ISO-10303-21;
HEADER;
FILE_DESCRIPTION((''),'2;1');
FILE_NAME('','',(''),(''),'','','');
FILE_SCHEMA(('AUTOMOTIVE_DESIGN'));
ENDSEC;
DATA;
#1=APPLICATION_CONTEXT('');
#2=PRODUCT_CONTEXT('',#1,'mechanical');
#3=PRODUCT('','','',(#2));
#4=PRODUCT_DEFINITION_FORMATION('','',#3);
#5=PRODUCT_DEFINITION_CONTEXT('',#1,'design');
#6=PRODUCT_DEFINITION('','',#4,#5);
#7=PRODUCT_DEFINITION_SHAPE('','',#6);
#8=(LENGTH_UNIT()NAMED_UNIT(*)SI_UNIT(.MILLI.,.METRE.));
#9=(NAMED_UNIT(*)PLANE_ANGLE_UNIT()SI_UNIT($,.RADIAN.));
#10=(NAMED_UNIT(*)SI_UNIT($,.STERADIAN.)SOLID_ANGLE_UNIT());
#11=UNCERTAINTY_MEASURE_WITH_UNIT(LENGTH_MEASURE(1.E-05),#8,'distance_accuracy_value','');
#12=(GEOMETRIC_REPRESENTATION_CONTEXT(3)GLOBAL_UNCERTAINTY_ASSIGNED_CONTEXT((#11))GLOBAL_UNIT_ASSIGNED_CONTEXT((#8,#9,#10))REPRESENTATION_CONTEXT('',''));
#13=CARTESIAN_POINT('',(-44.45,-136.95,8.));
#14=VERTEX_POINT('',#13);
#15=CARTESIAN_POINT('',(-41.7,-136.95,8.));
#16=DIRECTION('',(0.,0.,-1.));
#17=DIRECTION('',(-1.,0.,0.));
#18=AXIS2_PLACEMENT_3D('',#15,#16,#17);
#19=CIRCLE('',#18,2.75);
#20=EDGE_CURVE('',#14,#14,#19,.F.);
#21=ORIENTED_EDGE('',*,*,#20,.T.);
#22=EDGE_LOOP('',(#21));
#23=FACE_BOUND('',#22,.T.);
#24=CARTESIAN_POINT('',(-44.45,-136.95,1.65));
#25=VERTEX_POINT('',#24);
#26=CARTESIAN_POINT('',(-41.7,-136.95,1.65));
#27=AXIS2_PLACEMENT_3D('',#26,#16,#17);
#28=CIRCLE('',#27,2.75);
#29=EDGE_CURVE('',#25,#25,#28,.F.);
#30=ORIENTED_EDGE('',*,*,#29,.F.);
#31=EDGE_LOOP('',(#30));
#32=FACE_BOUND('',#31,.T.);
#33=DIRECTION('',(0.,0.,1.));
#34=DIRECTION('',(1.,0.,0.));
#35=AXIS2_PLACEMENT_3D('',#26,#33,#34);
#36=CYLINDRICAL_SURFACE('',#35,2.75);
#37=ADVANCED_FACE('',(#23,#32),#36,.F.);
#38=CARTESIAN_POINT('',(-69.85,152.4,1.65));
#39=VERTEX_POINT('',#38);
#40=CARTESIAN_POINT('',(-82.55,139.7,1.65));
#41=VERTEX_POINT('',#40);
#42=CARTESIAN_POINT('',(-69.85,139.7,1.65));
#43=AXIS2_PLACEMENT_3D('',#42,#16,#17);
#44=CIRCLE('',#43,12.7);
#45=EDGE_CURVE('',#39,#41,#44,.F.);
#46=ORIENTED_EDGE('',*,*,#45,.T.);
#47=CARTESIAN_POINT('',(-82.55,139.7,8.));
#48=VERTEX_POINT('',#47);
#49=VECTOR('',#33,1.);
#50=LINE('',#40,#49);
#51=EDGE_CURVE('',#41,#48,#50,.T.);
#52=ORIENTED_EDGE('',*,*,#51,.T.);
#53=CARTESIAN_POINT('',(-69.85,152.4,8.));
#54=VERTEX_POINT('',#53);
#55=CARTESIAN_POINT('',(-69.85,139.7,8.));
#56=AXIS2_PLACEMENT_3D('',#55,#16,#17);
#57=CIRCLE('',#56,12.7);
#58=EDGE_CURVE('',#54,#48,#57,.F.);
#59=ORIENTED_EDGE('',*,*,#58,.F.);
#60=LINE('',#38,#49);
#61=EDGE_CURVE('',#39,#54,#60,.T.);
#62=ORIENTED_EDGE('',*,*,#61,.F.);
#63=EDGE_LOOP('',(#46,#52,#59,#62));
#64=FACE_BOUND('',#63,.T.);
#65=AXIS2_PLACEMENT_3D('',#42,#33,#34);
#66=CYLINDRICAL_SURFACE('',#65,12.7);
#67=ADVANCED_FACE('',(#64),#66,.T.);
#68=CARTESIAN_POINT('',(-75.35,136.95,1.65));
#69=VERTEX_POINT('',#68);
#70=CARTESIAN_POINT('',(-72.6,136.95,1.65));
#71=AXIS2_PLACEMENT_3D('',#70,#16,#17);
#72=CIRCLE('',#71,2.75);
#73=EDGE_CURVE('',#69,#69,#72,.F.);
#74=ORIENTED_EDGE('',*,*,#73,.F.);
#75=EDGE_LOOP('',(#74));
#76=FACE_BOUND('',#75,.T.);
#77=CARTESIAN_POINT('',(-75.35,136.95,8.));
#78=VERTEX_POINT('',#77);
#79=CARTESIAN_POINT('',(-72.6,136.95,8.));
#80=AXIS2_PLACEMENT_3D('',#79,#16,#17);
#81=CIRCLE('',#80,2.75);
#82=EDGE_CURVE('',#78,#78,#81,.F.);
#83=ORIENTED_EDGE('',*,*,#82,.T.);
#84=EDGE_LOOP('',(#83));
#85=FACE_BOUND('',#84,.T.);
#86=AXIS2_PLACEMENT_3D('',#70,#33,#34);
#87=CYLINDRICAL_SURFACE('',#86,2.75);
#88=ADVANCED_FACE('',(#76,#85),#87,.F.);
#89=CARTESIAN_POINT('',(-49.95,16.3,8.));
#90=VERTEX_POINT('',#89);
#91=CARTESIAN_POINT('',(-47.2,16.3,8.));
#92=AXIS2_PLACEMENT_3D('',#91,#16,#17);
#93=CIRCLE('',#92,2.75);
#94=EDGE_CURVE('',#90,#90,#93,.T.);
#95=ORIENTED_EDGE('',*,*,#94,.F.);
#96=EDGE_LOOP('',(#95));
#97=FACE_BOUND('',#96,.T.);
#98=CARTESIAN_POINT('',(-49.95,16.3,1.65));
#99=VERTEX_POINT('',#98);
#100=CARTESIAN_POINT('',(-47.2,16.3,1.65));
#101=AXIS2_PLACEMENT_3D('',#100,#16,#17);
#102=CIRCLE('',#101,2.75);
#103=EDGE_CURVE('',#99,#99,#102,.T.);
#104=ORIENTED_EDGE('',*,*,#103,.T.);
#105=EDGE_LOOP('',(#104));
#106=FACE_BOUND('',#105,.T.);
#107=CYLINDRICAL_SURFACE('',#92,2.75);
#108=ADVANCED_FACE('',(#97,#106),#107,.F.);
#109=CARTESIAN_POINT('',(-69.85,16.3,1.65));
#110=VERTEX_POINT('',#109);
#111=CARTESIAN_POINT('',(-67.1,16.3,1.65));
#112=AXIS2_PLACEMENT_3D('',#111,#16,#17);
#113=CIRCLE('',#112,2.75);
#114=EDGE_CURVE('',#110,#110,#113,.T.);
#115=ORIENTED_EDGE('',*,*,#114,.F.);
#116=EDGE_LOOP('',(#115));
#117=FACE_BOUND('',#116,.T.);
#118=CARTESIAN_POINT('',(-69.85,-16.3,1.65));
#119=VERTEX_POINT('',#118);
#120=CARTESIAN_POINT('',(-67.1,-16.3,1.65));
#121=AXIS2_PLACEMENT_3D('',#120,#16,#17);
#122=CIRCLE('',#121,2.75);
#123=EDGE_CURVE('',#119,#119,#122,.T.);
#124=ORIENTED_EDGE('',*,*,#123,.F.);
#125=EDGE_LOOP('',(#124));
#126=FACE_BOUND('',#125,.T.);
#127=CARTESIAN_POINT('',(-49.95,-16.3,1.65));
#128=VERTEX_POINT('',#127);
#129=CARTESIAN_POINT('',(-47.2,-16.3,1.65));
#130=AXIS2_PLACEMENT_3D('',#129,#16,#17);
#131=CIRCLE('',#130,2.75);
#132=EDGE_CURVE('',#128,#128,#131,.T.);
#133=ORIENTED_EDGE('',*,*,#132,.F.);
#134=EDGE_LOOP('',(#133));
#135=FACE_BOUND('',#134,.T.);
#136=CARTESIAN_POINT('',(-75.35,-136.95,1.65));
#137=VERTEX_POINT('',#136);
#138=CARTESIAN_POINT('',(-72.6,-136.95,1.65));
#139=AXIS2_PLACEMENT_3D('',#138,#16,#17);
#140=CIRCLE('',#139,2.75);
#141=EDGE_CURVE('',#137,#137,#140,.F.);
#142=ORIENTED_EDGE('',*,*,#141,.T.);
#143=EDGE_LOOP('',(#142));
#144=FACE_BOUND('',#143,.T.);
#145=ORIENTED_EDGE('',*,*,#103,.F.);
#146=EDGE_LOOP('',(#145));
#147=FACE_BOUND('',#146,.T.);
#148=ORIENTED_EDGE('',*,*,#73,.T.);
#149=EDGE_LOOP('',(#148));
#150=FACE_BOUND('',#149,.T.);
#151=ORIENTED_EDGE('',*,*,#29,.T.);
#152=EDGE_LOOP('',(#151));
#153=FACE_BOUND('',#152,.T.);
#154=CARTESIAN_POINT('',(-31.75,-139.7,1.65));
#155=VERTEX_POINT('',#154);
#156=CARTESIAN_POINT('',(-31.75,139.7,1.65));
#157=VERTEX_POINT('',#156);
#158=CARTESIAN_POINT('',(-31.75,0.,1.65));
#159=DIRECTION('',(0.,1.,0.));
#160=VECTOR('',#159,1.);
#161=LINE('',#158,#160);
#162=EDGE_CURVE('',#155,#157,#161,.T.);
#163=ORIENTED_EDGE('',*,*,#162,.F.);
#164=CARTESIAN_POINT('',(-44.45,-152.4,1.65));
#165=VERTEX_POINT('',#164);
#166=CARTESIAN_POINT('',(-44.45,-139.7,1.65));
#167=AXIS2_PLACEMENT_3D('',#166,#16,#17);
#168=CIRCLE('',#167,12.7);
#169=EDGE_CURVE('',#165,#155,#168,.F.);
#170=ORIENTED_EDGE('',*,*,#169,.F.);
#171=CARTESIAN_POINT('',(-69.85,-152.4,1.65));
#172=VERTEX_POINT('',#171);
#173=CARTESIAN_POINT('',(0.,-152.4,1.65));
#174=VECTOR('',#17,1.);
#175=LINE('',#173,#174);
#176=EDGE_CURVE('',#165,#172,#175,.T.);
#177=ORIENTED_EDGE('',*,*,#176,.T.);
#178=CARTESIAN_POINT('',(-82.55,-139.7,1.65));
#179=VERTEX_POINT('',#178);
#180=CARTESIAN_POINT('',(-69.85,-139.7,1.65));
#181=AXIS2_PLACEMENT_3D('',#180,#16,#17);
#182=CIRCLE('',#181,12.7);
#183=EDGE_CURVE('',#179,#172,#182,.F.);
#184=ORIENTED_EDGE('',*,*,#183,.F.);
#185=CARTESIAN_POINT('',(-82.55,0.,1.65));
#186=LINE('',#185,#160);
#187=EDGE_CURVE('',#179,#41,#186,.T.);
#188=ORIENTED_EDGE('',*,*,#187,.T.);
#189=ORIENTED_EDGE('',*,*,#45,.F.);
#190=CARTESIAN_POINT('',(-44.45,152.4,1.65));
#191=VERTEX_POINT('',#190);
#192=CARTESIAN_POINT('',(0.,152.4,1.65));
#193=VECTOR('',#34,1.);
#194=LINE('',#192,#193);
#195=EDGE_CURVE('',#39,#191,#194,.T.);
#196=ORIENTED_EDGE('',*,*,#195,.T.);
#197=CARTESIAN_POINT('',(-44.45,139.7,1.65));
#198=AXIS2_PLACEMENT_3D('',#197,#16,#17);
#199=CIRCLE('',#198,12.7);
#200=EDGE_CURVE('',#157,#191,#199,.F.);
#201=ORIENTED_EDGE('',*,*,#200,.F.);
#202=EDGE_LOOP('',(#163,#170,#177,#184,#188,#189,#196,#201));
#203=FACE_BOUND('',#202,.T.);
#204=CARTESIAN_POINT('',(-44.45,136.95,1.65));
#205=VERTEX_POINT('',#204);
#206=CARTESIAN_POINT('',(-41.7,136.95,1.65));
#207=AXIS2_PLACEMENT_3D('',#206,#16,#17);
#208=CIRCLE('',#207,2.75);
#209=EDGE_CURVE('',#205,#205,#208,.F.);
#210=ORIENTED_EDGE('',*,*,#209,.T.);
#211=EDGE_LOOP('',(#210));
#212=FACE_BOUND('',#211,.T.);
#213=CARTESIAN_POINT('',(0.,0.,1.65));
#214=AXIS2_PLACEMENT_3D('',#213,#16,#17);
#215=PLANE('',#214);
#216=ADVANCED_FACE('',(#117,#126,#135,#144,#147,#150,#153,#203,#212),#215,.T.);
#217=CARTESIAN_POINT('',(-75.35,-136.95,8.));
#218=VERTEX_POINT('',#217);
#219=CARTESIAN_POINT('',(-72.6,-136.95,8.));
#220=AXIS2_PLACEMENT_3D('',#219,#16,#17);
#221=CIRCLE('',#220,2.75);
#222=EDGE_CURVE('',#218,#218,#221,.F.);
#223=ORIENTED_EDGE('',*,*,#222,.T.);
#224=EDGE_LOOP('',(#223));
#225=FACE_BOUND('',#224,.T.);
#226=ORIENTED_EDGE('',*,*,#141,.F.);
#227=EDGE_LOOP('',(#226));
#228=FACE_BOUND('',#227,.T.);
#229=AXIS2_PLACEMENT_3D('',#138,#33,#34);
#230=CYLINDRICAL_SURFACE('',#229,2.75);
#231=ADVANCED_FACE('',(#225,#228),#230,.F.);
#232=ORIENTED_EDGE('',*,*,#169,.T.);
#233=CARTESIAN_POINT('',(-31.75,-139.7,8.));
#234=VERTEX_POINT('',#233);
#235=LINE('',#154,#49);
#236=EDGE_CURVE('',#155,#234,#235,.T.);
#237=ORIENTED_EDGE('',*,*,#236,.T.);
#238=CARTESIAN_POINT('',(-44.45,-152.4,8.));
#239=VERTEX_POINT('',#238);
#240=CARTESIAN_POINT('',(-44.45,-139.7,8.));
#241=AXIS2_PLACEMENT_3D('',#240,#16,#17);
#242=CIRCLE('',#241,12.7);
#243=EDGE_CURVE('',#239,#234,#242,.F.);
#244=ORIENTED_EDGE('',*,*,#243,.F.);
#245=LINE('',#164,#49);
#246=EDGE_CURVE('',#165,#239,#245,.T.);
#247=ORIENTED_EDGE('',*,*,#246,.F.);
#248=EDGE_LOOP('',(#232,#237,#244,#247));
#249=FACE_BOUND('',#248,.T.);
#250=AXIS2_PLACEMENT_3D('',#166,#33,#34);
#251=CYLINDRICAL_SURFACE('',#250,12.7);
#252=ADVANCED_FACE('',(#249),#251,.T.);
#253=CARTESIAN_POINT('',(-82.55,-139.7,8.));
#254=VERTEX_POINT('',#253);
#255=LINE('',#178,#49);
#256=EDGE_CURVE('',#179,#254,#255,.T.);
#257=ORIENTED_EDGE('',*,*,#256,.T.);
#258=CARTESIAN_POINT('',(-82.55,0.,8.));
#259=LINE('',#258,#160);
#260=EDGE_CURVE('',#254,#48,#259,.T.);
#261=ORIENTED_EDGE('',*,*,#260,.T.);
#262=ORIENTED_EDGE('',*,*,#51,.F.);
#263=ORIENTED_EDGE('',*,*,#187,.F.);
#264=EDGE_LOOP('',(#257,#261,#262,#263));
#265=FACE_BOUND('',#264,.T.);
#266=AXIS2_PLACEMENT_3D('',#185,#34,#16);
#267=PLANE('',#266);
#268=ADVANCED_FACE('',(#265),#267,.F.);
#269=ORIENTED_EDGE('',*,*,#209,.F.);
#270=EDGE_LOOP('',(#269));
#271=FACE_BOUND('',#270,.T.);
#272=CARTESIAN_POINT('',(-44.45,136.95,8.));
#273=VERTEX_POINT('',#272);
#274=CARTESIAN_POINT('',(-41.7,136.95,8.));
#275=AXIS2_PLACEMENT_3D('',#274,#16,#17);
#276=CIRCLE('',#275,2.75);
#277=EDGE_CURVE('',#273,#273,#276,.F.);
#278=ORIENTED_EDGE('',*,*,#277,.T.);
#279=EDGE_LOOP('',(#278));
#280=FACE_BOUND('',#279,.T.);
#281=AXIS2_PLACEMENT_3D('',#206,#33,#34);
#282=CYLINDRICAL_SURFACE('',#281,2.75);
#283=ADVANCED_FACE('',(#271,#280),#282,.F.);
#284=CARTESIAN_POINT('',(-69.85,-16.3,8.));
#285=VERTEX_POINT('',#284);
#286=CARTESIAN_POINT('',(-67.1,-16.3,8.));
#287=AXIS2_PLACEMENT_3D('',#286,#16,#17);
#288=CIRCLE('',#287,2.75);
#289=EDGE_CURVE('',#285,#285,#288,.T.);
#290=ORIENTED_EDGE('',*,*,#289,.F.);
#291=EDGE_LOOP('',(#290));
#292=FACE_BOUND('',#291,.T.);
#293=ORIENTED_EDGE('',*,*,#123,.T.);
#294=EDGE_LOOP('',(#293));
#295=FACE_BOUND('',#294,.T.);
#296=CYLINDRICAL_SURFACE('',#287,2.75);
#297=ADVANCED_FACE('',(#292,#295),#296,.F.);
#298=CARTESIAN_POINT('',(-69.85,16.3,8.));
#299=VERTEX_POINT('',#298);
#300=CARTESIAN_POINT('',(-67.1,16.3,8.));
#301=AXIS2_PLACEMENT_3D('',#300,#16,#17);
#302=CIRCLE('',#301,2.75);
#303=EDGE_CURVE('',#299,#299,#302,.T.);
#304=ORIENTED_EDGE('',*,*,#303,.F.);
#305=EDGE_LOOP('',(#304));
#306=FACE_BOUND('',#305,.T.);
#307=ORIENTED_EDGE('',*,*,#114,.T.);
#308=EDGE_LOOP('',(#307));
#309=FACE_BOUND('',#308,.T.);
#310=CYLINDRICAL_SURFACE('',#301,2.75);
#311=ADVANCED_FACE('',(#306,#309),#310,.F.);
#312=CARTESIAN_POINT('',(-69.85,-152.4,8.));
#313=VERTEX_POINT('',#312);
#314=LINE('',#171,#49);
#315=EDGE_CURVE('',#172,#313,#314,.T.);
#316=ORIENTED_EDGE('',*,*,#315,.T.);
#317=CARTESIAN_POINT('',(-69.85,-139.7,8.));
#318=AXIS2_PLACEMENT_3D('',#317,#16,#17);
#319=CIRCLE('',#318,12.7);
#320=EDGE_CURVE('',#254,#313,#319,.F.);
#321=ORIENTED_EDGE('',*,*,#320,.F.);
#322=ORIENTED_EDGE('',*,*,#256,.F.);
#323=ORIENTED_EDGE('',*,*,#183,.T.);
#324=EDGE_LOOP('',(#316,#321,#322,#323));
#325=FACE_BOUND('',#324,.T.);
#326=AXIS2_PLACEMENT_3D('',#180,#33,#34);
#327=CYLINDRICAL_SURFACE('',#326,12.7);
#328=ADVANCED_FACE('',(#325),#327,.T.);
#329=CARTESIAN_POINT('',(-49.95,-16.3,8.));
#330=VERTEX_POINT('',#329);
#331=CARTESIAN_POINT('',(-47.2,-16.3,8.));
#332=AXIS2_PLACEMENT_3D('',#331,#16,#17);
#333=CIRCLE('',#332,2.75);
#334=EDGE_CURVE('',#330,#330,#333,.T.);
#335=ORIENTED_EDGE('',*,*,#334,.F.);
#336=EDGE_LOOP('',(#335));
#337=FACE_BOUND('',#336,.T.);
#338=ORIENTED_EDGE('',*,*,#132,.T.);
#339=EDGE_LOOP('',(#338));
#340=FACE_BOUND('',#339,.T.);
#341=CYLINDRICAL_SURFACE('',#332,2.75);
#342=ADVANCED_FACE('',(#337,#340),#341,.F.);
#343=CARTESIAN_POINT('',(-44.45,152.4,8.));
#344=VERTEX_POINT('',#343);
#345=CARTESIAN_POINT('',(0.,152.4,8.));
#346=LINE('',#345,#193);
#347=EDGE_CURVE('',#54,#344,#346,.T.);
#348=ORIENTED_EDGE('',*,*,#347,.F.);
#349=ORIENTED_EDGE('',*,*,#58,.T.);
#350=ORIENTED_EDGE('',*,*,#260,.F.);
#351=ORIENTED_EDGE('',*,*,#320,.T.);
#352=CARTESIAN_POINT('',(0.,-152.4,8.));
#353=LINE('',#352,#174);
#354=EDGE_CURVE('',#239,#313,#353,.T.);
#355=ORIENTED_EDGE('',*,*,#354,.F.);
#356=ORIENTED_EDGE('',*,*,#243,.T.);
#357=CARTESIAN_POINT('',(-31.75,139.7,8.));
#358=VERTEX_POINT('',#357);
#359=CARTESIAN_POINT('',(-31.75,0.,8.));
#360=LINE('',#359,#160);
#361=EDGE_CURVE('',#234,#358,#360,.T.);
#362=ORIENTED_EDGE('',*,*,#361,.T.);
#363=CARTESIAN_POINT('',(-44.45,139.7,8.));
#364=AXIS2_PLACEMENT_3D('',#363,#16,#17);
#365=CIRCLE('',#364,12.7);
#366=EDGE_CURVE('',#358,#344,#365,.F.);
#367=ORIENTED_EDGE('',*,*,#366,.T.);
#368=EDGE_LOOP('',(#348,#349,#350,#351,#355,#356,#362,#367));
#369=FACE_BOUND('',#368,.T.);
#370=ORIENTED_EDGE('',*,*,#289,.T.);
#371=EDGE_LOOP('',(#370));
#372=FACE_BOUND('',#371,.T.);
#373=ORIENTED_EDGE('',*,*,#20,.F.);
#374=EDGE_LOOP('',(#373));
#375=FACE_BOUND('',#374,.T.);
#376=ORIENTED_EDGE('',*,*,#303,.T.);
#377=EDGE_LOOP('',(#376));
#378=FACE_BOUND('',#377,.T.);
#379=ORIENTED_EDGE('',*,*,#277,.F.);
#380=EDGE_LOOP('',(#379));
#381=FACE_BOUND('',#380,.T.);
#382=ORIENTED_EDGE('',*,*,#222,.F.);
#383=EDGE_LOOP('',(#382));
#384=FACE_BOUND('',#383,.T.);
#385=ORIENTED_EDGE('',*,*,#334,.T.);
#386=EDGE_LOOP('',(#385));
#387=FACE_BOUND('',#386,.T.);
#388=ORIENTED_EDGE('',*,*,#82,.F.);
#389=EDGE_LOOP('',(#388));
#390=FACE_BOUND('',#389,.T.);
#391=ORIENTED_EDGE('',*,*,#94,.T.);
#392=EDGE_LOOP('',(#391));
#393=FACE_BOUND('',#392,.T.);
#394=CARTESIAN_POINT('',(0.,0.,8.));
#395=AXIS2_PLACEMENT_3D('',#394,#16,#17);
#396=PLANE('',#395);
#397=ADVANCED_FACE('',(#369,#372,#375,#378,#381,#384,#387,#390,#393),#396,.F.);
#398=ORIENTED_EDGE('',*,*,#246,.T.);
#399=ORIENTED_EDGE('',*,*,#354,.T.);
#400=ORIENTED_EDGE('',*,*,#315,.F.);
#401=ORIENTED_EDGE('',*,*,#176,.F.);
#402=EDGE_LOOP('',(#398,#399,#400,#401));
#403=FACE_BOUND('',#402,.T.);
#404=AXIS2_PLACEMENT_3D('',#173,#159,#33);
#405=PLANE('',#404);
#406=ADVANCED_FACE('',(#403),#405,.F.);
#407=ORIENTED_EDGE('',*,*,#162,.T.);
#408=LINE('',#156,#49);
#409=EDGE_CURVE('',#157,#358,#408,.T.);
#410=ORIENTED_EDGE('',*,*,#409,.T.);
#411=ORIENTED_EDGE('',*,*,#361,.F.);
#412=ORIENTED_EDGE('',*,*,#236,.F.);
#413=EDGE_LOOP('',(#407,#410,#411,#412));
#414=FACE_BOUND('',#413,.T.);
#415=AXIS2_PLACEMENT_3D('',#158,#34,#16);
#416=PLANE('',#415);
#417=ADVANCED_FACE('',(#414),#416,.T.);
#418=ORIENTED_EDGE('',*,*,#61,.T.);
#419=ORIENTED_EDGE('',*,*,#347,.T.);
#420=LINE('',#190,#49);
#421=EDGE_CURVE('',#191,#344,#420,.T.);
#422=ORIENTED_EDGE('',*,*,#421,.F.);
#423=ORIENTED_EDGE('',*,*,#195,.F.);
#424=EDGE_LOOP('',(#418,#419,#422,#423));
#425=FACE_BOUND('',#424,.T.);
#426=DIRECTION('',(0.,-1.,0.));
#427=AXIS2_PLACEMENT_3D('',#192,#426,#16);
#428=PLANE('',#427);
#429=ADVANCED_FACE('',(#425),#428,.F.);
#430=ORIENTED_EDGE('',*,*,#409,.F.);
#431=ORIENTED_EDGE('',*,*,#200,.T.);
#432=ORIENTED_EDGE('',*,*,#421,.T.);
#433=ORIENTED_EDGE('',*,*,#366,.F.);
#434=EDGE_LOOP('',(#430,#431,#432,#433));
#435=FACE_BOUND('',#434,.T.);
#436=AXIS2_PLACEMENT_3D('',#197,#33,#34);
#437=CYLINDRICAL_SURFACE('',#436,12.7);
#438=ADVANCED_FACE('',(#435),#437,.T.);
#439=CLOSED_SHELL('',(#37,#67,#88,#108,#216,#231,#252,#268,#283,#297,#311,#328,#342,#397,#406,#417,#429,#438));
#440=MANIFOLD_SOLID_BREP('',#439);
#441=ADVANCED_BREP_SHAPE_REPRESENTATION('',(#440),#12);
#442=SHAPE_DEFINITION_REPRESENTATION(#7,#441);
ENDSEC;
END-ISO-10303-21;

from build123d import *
from build123d.topology import SkipClean

# Parameters (mm, degrees)
SKETCH1_W               = 15.24
SKETCH1_H               = 279.4
BOSS_EXTRUDE3_DEPTH     = 6.35
SKETCH2_R               = 2.75
CUT_EXTRUDE1_DEPTH      = 174.437553604
SKETCH3_W               = 15.24
SKETCH3_H               = 279.4
BOSS_EXTRUDE4_DEPTH     = 6.35
CUT_EXTRUDE2_DEPTH      = 174.437553604
CUT_EXTRUDE2_DEPTH_BACK = 174.437553604
SKETCH4_R               = 2.75


with BuildPart() as part:
    # Sketch1 → Boss-Extrude3 (new body)
    with BuildSketch(Plane.XY.offset(8)):
        with BuildLine():
            Line((-69.85, -152.4), (-44.45, -152.4))
            ThreePointArc((-44.45, -152.4), (-35.469743879, -148.680256121), (-31.75, -139.7))
            Line((-31.75, -139.7), (-31.75, 139.7))
            ThreePointArc((-31.75, 139.7), (-35.469743879, 148.680256121), (-44.45, 152.4))
            Line((-44.45, 152.4), (-69.85, 152.4))
            ThreePointArc((-69.85, 152.4), (-78.830256121, 148.680256121), (-82.55, 139.7))
            Line((-82.55, 139.7), (-82.55, -139.7))
            ThreePointArc((-82.55, -139.7), (-78.830256121, -148.680256121), (-69.85, -152.4))
        make_face()
        with Locations((-57.15, 0)):
            Rectangle(SKETCH1_W, SKETCH1_H, mode=Mode.SUBTRACT)
        with BuildLine():
            ThreePointArc((-44.45, -136.95), (-39.755456352, -135.005456352), (-41.7, -139.7))
            ThreePointArc((-41.7, -139.7), (-42.505456352, -137.755456352), (-44.45, -136.95))
        make_face(mode=Mode.SUBTRACT)
        with BuildLine():
            ThreePointArc((-72.6, -139.7), (-74.544543648, -135.005456352), (-69.85, -136.95))
            ThreePointArc((-69.85, -136.95), (-71.794543648, -137.755456352), (-72.6, -139.7))
        make_face(mode=Mode.SUBTRACT)
        with BuildLine():
            ThreePointArc((-41.7, 139.7), (-39.755456352, 135.005456352), (-44.45, 136.95))
            ThreePointArc((-44.45, 136.95), (-42.505456352, 137.755456352), (-41.7, 139.7))
        make_face(mode=Mode.SUBTRACT)
        with BuildLine():
            ThreePointArc((-69.85, 136.95), (-74.544543648, 135.005456352), (-72.6, 139.7))
            ThreePointArc((-72.6, 139.7), (-71.794543648, 137.755456352), (-69.85, 136.95))
        make_face(mode=Mode.SUBTRACT)
    extrude(amount=-BOSS_EXTRUDE3_DEPTH)

    # Sketch2 → Cut-Extrude1 (cut, through all)
    with SkipClean():  # the faces are left unmerged after this step: merging them gives an invalid solid
        with BuildSketch(Plane.XY.offset(8)):
            with Locations(Location((-41.7, 136.95, 0), (0, 0, 180))):
                Circle(SKETCH2_R)
            with Locations(Location((-72.6, 136.95, 0), (0, 0, 180))):
                Circle(SKETCH2_R)
            with Locations(Location((-41.7, -136.95, 0), (0, 0, 180))):
                Circle(SKETCH2_R)
            with Locations(Location((-72.6, -136.95, 0), (0, 0, 180))):
                Circle(SKETCH2_R)
        extrude(amount=-CUT_EXTRUDE1_DEPTH, mode=Mode.SUBTRACT)

    # Sketch3 → Boss-Extrude4 (add)
    with SkipClean():  # the faces are left unmerged after this step: merging them gives an invalid solid
        with BuildSketch(Plane.XY.offset(8)):
            with Locations((-57.15, 0)):
                Rectangle(SKETCH3_W, SKETCH3_H)
        extrude(amount=-BOSS_EXTRUDE4_DEPTH)

    # Sketch4 → Cut-Extrude2 (cut, two sides: drawn at the far end of the back side and taken through both)
    with SkipClean():  # the faces are left unmerged after this step: merging them gives an invalid solid
        with BuildSketch(Plane(origin=(0, 0, 1.65), x_dir=(-1, 0, 0), z_dir=(0, 0, -1)).offset(-CUT_EXTRUDE2_DEPTH_BACK)):
            with Locations((47.2, 16.3)):
                Circle(SKETCH4_R)
            with Locations((67.1, 16.3)):
                Circle(SKETCH4_R)
            with Locations((47.2, -16.3)):
                Circle(SKETCH4_R)
            with Locations((67.1, -16.3)):
                Circle(SKETCH4_R)
        extrude(amount=CUT_EXTRUDE2_DEPTH + CUT_EXTRUDE2_DEPTH_BACK, mode=Mode.SUBTRACT)


solid = part.part
